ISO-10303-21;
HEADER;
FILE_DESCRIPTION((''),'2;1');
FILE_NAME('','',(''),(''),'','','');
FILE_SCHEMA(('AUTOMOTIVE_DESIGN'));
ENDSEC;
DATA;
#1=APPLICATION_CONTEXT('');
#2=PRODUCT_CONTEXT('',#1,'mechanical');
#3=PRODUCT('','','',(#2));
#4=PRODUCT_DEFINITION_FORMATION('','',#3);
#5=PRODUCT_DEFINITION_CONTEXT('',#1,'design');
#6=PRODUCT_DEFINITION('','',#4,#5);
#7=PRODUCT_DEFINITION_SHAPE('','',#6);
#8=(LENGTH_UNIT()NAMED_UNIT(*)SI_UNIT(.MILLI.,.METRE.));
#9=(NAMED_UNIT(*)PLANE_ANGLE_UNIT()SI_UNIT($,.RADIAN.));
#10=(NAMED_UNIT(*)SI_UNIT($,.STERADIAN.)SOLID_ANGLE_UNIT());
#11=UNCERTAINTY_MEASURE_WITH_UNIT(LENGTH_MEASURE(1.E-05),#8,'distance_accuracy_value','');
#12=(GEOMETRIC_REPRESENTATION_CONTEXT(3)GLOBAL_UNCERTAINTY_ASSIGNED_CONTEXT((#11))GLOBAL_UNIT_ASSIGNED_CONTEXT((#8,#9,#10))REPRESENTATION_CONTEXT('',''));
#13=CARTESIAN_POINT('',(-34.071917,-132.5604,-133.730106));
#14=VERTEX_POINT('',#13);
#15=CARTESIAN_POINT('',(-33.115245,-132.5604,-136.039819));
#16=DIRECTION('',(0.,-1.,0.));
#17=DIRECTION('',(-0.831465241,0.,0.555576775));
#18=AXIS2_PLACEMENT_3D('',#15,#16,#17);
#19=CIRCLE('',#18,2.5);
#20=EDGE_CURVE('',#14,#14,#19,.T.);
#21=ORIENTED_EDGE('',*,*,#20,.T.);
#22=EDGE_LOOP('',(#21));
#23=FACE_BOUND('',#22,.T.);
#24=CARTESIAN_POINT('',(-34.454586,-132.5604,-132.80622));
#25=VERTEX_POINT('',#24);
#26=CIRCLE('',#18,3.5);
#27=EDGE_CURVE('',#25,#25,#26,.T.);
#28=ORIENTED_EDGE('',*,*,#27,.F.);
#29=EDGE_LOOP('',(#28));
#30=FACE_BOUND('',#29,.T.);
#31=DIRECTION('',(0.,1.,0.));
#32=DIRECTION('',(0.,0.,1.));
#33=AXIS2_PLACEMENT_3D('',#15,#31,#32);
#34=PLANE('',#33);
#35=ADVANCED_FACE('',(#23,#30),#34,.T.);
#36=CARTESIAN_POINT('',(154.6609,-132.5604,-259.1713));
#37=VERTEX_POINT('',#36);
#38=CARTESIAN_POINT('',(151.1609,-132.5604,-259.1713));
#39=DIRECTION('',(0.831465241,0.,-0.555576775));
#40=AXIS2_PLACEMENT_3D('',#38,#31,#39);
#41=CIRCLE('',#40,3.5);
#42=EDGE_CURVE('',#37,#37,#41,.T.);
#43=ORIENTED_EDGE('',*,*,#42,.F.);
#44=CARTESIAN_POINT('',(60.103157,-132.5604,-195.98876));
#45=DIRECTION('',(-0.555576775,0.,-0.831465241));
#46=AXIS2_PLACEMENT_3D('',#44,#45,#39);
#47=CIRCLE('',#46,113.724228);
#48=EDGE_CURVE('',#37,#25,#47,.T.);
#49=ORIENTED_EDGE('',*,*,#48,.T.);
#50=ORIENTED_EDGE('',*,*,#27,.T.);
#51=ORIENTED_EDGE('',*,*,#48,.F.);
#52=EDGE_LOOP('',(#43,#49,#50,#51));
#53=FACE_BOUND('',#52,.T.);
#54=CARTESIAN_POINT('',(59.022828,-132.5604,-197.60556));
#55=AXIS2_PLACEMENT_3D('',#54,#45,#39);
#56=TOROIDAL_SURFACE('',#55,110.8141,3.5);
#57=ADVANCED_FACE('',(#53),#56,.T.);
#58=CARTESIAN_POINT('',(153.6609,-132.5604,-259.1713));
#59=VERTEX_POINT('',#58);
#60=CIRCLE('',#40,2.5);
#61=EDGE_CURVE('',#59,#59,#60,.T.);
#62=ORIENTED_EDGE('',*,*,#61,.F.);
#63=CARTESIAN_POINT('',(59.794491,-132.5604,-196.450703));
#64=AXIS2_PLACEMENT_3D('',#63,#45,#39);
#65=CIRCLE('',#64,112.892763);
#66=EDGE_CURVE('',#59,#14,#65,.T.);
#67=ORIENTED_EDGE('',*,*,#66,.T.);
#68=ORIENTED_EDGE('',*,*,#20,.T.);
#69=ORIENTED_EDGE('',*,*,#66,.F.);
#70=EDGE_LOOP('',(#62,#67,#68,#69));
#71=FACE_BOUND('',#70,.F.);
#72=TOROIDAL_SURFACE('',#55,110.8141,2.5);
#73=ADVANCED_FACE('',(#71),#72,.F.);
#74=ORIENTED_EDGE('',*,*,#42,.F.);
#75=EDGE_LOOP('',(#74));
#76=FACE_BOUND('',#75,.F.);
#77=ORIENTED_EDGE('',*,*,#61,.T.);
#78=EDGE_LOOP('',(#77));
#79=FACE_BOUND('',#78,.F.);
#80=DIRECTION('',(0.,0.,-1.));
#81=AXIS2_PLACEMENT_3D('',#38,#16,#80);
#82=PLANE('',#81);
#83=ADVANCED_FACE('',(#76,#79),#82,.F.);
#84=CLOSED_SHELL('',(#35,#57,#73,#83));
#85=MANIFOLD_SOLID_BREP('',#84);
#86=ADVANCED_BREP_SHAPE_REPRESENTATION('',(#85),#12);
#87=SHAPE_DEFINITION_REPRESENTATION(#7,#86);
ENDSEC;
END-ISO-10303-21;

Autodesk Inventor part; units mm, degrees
ref_plane "YZ Plane" through (0, 0, 0) normal (1, 0, 0) x (0, 1, 0)
ref_plane "XZ Plane" through (0, 0, 0) normal (0, 1, 0) x (-1, 0, 0)
ref_plane "XY Plane" through (0, 0, 0) normal (0, 0, 1) x (1, 0, 0)
ref_plane "РабПлоскость1" through (151.1609, -132.5604, -259.1713) normal (-0.5556, 0, -0.8315) x (0, -1, 0)
sketch "Эскиз2" plane through (151.1609, -132.5604, -259.1713) normal (-0.5556, 0, -0.8315) x (0, -1, 0)
  arc A0 (0, 0) -> (0, 221.6282) centre (0, 110.8141) ccw
  point P0 (-132.5604, 269.6735)
ref_plane "РабПлоскость2" through (151.1609, -132.5604, -259.1713) normal (0, -1, 0) x (1, 0, 0)
sketch "Эскиз3" plane through (151.1609, -132.5604, -259.1713) normal (0, -1, 0) x (1, 0, 0)
  circle A0 centre (0, 0) radius 3.5 projected
  circle A1 centre (0, 0) radius 2.5 projected
  circle A2 centre (0, 0) radius 1.75 projected
  point P0 (-151.1609, 259.1713)
sweep "Сдвиг1" add profiles "Эскиз3" path "Эскиз2" contours A0
properties part number "winding_not_formed_1_A"
